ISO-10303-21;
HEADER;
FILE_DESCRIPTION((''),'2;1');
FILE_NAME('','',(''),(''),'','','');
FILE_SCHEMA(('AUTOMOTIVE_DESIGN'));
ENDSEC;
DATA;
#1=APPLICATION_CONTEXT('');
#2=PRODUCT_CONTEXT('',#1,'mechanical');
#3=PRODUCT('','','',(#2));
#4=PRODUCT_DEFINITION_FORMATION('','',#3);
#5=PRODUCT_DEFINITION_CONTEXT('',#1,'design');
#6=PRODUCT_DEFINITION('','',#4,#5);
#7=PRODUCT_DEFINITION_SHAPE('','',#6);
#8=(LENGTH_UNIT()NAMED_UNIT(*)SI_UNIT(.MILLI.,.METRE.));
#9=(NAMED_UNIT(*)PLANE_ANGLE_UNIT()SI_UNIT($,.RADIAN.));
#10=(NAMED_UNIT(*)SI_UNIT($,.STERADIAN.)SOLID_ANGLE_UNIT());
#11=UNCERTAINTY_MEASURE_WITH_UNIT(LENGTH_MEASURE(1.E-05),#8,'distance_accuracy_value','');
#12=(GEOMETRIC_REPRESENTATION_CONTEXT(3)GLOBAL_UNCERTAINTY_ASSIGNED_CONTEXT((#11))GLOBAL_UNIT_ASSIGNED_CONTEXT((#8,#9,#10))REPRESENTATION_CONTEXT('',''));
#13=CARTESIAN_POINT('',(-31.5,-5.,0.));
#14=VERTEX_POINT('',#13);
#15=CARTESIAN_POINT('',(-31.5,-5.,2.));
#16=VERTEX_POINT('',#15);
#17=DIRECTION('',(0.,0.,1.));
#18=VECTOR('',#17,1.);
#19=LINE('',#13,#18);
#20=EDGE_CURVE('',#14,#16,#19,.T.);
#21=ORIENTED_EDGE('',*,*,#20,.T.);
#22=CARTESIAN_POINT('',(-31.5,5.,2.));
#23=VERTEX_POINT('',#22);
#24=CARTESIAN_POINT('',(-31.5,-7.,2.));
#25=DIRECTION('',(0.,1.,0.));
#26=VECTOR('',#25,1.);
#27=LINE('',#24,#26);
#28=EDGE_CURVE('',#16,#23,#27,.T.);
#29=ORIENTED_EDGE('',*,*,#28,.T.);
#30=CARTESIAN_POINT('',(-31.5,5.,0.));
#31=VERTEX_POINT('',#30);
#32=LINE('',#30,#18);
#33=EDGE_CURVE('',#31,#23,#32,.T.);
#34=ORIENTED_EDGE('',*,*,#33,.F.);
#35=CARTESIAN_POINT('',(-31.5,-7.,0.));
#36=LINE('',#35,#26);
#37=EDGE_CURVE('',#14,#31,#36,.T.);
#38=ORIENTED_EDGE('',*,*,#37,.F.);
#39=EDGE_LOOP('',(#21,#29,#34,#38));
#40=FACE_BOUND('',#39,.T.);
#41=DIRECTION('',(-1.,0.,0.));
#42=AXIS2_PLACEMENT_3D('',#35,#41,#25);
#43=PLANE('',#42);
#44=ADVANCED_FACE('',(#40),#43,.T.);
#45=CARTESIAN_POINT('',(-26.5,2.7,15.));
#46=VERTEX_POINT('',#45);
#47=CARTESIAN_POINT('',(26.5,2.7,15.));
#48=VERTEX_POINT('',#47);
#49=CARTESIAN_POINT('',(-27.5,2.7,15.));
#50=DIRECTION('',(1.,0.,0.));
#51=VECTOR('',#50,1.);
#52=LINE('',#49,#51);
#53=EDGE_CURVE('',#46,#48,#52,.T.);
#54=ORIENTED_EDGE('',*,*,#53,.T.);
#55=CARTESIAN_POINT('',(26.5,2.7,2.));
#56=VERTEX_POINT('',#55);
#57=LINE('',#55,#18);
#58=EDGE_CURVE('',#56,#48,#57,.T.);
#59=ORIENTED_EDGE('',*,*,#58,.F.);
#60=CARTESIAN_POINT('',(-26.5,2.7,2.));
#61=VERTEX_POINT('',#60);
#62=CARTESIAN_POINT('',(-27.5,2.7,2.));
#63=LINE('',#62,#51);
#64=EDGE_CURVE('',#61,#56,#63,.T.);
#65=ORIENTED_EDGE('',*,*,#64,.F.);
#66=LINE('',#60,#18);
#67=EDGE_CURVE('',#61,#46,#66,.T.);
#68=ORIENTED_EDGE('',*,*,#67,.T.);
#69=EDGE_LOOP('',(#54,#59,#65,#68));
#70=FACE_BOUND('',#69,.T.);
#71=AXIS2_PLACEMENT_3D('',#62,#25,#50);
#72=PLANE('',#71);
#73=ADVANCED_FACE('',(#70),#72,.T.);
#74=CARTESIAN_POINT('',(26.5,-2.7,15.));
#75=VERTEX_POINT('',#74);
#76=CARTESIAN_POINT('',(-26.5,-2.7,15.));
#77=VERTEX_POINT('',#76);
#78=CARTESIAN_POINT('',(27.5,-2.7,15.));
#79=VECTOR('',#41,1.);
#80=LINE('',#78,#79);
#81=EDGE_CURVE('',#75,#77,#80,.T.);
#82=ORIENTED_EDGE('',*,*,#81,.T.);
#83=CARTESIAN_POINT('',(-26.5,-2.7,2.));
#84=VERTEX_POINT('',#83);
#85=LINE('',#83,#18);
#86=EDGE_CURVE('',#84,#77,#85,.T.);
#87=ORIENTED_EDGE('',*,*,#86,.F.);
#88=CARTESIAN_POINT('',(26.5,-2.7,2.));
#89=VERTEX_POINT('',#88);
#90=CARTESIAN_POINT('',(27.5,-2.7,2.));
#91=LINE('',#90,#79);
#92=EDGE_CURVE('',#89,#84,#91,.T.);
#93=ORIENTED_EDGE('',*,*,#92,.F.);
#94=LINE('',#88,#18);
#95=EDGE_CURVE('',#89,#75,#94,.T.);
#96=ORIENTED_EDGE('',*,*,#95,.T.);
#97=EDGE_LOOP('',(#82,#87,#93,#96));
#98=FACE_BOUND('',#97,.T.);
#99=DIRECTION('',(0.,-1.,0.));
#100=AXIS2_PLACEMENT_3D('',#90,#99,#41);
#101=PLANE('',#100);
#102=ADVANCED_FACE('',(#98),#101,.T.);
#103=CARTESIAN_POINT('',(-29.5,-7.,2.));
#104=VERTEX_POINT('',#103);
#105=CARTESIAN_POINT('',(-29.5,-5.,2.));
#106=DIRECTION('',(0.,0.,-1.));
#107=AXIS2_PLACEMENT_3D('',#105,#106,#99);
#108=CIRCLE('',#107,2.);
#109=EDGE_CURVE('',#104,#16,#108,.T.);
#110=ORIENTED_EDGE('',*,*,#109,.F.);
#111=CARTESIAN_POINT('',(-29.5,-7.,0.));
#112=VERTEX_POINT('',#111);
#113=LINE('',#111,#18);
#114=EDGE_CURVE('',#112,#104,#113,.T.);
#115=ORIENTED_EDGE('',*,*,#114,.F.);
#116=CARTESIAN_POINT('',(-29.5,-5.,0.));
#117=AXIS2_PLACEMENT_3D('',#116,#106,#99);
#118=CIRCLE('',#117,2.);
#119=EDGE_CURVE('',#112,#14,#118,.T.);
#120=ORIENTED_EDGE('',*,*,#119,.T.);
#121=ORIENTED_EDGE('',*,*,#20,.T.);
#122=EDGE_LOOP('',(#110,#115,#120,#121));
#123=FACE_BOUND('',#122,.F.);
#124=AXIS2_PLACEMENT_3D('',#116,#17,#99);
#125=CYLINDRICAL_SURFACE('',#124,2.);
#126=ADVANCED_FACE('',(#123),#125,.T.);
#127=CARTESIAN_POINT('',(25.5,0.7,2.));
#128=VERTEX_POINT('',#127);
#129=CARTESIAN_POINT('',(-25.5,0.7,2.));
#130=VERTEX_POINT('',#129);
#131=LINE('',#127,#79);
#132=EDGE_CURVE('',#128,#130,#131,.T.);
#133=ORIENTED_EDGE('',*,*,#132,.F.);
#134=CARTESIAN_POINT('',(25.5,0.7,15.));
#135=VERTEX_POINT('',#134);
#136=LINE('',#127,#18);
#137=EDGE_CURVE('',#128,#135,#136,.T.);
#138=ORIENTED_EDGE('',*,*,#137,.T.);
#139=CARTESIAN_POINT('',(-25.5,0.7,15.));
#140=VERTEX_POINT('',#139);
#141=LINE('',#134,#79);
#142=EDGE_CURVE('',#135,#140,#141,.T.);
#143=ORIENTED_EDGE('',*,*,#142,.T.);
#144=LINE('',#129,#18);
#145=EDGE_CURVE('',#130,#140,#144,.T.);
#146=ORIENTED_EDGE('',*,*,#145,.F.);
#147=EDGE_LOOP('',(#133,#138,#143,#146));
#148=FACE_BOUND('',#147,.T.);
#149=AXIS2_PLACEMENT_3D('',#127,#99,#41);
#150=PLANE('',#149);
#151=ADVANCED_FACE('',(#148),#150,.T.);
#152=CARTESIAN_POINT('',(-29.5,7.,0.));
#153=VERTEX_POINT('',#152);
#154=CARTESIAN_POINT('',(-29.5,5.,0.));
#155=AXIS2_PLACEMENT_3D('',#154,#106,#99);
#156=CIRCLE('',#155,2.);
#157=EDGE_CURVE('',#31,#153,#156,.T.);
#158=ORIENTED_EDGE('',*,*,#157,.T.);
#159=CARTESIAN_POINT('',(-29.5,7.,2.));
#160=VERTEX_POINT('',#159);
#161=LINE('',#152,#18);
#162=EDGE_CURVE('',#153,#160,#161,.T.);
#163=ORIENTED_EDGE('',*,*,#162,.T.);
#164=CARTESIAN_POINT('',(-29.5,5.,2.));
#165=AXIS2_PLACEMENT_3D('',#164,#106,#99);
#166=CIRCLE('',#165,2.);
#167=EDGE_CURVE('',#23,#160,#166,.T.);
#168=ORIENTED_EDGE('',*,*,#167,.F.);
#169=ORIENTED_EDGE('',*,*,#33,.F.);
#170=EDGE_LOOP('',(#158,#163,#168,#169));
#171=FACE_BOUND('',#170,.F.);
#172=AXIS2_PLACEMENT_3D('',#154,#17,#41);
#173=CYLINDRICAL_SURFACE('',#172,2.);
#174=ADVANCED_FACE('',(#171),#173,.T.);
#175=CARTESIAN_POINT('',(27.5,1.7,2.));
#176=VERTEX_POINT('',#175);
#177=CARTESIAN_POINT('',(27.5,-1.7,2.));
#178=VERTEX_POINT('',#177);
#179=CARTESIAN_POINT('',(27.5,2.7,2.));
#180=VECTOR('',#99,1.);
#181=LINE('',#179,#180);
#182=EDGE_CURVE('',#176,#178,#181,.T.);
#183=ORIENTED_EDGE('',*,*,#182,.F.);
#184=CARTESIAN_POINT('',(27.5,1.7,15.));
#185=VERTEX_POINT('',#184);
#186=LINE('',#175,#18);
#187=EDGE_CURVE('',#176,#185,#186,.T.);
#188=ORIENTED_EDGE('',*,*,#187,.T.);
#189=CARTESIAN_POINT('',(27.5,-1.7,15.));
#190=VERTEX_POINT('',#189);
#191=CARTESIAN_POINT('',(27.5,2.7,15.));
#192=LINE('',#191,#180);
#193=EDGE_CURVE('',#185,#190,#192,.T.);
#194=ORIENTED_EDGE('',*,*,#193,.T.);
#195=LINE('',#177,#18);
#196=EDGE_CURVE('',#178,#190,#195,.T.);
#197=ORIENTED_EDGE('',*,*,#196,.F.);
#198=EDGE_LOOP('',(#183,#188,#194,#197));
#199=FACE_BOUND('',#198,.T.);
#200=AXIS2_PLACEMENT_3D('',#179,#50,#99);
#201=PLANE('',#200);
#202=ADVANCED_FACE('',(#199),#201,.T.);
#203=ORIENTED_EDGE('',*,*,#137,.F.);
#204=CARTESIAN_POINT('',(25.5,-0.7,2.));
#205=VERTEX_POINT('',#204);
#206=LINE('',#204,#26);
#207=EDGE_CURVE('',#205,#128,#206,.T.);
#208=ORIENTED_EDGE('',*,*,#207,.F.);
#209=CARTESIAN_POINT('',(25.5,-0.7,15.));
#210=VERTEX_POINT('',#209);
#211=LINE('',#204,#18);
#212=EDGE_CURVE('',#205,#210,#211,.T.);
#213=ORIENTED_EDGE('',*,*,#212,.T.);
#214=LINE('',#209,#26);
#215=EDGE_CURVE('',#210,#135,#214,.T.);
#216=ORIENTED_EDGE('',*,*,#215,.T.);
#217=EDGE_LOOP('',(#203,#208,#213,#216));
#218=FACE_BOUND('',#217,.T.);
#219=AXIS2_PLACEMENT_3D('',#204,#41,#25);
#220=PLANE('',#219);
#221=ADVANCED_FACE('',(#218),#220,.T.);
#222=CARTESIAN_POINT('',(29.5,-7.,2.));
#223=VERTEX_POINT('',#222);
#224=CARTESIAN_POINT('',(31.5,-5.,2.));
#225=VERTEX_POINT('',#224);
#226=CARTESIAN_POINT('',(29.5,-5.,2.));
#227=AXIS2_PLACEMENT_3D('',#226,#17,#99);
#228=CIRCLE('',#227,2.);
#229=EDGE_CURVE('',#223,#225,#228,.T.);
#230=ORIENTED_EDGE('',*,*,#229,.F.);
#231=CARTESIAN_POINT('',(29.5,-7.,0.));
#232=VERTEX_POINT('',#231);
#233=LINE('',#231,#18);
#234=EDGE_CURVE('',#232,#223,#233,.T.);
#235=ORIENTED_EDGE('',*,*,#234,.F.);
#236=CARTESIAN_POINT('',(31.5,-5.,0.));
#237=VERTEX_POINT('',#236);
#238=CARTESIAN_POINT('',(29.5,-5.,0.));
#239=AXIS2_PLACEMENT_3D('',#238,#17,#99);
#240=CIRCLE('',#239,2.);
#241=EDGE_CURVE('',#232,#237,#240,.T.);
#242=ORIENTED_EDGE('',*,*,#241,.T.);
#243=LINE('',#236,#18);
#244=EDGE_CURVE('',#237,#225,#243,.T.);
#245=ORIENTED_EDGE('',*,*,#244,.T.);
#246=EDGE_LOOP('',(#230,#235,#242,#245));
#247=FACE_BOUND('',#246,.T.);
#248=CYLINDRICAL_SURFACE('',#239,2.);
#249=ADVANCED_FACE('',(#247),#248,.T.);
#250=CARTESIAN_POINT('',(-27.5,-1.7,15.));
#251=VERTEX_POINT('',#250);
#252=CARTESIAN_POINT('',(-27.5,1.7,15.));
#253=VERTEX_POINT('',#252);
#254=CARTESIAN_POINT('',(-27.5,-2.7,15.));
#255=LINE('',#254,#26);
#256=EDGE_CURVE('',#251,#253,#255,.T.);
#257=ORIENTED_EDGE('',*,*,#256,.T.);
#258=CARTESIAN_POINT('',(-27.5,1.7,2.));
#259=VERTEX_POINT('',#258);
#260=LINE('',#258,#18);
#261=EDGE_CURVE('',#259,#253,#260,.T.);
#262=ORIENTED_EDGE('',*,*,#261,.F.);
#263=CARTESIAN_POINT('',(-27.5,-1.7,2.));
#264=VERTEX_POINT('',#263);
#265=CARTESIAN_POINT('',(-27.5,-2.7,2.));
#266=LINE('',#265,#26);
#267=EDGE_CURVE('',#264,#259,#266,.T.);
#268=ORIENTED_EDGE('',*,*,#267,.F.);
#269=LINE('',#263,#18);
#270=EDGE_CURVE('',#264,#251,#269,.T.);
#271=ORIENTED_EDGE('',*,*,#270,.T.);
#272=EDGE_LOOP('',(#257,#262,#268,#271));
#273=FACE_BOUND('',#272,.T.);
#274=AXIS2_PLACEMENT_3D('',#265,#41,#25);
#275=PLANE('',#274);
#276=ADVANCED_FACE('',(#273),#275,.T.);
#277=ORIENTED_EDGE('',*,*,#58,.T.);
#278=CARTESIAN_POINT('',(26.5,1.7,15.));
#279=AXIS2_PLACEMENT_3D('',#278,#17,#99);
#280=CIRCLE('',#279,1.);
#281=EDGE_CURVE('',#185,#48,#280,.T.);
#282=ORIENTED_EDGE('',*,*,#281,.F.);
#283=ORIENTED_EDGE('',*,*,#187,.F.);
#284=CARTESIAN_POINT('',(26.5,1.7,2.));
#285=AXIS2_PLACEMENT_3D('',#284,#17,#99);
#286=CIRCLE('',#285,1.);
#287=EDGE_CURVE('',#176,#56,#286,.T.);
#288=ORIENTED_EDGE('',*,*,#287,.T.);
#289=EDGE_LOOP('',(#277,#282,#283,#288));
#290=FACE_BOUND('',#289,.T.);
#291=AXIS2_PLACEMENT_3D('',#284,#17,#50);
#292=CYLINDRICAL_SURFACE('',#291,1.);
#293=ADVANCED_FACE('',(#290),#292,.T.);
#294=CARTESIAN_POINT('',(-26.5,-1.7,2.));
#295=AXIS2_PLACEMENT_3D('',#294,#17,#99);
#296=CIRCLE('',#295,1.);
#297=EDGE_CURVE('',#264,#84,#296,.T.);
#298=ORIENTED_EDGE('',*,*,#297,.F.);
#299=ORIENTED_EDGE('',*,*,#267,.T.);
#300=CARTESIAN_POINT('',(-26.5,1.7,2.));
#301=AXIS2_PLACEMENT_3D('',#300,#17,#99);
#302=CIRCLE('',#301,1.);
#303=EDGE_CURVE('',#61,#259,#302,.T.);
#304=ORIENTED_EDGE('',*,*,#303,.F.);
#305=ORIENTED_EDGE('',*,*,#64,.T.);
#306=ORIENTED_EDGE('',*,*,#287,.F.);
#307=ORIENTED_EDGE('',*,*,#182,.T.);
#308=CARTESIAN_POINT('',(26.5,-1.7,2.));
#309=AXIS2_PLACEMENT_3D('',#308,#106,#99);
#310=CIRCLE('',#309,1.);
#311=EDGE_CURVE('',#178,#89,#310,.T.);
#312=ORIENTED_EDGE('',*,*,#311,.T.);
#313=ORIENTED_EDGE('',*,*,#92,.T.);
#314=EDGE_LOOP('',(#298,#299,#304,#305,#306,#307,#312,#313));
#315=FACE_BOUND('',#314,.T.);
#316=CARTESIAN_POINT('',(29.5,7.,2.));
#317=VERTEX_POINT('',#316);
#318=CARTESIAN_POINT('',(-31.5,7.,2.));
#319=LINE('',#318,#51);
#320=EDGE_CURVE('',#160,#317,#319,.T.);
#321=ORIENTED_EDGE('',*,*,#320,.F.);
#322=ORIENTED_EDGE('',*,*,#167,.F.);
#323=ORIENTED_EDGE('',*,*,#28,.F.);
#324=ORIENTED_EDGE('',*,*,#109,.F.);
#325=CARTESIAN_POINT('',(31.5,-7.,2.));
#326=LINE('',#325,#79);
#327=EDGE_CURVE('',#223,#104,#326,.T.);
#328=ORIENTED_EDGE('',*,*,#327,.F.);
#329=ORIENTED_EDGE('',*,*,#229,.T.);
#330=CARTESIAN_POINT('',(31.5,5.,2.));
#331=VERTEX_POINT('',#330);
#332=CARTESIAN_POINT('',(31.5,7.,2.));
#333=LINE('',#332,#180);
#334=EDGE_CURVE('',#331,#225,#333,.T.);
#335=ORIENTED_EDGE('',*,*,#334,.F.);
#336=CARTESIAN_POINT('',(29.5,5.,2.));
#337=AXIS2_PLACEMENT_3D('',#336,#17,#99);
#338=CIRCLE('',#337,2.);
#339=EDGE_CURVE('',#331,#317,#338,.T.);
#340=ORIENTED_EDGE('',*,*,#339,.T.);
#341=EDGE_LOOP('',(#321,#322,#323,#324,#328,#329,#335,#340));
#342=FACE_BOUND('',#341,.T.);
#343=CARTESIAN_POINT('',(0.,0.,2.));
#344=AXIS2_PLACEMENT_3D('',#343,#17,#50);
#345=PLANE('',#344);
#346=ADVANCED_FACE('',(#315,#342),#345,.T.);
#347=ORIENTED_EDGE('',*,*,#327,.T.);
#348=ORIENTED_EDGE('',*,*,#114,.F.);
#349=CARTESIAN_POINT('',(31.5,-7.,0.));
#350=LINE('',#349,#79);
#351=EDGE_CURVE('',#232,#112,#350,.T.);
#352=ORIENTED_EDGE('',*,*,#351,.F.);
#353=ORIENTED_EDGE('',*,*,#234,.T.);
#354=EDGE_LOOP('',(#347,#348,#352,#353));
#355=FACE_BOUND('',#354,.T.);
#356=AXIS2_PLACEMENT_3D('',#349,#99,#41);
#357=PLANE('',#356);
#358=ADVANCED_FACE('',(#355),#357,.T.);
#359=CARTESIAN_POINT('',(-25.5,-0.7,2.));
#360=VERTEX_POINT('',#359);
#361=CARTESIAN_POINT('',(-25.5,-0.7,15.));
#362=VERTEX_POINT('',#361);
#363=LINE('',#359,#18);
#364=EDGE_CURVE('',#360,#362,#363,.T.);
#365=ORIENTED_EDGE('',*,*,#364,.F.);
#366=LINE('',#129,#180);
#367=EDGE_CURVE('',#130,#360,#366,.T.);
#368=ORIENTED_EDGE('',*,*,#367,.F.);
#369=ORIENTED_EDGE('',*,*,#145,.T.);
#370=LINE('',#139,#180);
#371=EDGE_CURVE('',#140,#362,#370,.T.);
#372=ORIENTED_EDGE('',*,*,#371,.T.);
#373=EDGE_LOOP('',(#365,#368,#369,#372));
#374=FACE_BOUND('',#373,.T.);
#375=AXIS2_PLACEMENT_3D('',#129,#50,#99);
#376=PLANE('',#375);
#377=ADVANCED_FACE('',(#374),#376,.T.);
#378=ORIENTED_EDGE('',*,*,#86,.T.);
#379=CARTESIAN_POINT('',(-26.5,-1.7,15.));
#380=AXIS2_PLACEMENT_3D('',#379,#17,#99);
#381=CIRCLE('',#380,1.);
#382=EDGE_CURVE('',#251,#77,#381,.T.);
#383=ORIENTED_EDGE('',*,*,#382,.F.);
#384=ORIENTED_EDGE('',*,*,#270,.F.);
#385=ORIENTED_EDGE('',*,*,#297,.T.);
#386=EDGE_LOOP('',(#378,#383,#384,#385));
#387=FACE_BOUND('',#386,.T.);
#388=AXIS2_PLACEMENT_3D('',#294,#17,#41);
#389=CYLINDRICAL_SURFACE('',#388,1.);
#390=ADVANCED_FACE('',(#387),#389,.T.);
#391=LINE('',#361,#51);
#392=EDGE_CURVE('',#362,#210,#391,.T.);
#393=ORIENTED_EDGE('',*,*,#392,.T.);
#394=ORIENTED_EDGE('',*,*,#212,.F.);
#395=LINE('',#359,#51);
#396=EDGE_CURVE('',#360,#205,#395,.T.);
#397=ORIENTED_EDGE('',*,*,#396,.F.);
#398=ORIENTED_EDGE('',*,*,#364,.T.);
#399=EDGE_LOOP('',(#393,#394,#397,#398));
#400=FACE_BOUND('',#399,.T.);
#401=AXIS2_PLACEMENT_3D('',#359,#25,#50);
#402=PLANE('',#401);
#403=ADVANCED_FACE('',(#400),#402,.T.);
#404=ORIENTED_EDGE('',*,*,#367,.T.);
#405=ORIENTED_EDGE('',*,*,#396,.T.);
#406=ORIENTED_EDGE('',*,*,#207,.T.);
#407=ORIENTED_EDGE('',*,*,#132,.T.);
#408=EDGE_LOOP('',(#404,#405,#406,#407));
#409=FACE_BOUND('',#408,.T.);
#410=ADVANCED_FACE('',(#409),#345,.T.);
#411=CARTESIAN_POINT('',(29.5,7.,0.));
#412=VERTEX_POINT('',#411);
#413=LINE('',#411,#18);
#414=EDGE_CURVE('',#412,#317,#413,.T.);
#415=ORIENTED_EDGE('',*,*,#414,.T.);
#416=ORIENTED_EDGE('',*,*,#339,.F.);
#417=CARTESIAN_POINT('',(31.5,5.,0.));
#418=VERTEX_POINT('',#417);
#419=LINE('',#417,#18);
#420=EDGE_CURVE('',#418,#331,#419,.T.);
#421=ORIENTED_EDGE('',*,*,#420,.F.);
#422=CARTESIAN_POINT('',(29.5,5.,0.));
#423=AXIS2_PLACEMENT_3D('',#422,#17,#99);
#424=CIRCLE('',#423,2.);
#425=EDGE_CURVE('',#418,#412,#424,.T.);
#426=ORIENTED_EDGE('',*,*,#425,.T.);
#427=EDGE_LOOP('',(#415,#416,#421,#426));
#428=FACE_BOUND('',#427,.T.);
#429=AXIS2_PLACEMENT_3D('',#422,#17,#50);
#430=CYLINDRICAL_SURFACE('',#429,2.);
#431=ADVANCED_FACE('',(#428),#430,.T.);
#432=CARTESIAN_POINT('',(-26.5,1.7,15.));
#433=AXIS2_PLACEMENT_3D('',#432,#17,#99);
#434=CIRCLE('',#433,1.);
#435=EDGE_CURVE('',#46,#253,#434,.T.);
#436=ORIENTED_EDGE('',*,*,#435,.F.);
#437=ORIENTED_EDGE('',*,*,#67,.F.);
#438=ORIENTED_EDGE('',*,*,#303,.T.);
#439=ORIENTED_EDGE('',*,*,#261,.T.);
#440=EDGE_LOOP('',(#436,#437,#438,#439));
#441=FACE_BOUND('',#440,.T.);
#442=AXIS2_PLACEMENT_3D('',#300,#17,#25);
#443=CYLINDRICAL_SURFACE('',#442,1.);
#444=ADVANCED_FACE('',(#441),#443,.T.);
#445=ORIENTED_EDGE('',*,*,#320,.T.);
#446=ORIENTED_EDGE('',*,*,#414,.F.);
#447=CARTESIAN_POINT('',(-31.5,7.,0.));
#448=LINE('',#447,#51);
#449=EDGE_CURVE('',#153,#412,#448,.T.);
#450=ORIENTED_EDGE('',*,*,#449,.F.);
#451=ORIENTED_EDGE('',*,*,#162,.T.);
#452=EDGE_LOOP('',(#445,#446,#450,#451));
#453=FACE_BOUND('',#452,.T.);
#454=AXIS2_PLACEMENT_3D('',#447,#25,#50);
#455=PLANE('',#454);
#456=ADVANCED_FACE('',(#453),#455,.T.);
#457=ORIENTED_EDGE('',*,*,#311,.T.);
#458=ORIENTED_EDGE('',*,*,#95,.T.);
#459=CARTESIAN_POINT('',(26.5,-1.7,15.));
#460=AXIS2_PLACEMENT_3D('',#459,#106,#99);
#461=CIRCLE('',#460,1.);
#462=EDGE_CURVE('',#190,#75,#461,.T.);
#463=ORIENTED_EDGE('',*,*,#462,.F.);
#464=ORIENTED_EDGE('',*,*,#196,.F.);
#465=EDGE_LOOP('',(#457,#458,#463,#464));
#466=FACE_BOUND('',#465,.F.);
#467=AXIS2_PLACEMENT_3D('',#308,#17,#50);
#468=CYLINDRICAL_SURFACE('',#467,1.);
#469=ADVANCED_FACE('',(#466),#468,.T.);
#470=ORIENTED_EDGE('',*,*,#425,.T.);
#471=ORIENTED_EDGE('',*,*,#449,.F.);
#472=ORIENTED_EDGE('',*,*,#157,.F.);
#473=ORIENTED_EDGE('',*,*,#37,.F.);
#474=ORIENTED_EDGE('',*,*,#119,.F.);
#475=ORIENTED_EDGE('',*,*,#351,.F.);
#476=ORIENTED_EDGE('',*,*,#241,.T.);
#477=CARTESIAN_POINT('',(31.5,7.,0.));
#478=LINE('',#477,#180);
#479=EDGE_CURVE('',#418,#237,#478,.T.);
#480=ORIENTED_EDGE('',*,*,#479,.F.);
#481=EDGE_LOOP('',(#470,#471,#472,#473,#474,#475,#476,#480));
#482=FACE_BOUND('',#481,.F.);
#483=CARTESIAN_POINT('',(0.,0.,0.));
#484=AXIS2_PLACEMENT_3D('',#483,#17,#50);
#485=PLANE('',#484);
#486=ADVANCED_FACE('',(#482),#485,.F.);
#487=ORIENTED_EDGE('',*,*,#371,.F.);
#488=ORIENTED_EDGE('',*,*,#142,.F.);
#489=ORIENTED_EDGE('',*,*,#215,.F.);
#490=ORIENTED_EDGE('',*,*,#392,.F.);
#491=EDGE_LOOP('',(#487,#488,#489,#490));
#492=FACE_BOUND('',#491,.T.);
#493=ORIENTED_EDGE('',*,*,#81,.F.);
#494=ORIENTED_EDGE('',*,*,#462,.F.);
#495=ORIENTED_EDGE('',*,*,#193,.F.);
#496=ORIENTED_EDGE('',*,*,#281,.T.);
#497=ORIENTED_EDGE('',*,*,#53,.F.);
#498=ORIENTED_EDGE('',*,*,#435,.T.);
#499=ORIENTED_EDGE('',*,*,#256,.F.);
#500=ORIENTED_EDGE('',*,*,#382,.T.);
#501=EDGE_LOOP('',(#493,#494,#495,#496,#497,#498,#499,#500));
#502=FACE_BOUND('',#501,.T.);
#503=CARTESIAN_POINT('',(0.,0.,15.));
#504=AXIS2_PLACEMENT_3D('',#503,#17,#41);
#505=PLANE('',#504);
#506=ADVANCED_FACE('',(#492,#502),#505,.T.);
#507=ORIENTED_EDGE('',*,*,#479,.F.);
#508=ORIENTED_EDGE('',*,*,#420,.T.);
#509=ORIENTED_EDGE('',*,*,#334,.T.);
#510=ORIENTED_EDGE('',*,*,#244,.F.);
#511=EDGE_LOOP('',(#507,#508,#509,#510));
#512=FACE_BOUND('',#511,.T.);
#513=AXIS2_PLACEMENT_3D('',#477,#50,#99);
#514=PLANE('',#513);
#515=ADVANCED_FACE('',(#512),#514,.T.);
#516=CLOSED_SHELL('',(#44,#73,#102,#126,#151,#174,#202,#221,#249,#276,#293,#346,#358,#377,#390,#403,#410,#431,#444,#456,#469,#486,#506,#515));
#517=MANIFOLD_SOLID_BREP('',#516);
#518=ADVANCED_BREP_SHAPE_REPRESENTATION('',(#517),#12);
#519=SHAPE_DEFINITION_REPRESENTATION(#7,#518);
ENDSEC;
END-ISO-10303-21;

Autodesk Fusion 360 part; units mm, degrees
sketch "Sketch1" plane through (0, 0, 0) normal (0, 0, 1) x (1, 0, 0)
  line L0 (31.5, -7) -> (-31.5, -7)
  line L1 (-31.5, -7) -> (-31.5, 7)
  line L2 (-31.5, 7) -> (31.5, 7)
  line L3 (31.5, 7) -> (31.5, -7)
  line L4 (31.5, -7) -> (-31.5, 7) construction
  line L5 (-31.5, -7) -> (31.5, 7) construction
  dimension "d1" = 63
  dimension "d2" = 14
extrude "Extrude1" add sketch "Sketch1" along normal blind 2 makes body 1
sketch "Sketch3" plane through (0, 0, 2) normal (0, 0, 1) x (-1, 0, 0)
  line L0 (-31.5, -7) -> (31.5, -7)
  line L1 (31.5, -7) -> (31.5, 7)
  line L2 (31.5, 7) -> (-31.5, 7)
  line L3 (-31.5, 7) -> (-31.5, -7)
  line L4 (25.5, 0.7) -> (-25.5, 0.7)
  line L5 (-25.5, 0.7) -> (-25.5, -0.7)
  line L6 (-25.5, -0.7) -> (25.5, -0.7)
  line L7 (25.5, -0.7) -> (25.5, 0.7)
  line L8 (25.5, 0.7) -> (-25.5, -0.7) construction
  line L9 (-25.5, 0.7) -> (25.5, -0.7) construction
  line L10 (-27.5, 2.7) -> (27.5, 2.7)
  line L11 (27.5, 2.7) -> (27.5, -2.7)
  line L12 (27.5, -2.7) -> (-27.5, -2.7)
  line L13 (-27.5, -2.7) -> (-27.5, 2.7)
  line L14 (-27.5, 2.7) -> (27.5, -2.7) construction
  line L15 (27.5, 2.7) -> (-27.5, -2.7) construction
  dimension "d7" = 51
  dimension "d8" = 1.4
  dimension "d9" = 55
  dimension "d10" = 5.4
extrude "Extrude2" add sketch "Sketch3" along normal blind 13 contours L10 L11 L12 L13 bodies 1
fillet "Fillet1" radius 1 4 edges at (-27.5, -2.7, 8.5) (27.5, -2.7, 8.5) (-27.5, 2.7, 8.5) (27.5, 2.7, 8.5) on bodies 1
fillet "Fillet2" radius 2 4 edges at (-31.5, 7, 1) (31.5, 7, 1) (31.5, -7, 1) (-31.5, -7, 1) on bodies 1
copy_body "Body->Comp1" bodies 1 removing the originals makes body 2 in component "Grating_Holder"
component "Grating_Holder" placed x (1, 0, 0) y (0, 1, 0) z (0, 0, 1) at (0, 0, 0)
